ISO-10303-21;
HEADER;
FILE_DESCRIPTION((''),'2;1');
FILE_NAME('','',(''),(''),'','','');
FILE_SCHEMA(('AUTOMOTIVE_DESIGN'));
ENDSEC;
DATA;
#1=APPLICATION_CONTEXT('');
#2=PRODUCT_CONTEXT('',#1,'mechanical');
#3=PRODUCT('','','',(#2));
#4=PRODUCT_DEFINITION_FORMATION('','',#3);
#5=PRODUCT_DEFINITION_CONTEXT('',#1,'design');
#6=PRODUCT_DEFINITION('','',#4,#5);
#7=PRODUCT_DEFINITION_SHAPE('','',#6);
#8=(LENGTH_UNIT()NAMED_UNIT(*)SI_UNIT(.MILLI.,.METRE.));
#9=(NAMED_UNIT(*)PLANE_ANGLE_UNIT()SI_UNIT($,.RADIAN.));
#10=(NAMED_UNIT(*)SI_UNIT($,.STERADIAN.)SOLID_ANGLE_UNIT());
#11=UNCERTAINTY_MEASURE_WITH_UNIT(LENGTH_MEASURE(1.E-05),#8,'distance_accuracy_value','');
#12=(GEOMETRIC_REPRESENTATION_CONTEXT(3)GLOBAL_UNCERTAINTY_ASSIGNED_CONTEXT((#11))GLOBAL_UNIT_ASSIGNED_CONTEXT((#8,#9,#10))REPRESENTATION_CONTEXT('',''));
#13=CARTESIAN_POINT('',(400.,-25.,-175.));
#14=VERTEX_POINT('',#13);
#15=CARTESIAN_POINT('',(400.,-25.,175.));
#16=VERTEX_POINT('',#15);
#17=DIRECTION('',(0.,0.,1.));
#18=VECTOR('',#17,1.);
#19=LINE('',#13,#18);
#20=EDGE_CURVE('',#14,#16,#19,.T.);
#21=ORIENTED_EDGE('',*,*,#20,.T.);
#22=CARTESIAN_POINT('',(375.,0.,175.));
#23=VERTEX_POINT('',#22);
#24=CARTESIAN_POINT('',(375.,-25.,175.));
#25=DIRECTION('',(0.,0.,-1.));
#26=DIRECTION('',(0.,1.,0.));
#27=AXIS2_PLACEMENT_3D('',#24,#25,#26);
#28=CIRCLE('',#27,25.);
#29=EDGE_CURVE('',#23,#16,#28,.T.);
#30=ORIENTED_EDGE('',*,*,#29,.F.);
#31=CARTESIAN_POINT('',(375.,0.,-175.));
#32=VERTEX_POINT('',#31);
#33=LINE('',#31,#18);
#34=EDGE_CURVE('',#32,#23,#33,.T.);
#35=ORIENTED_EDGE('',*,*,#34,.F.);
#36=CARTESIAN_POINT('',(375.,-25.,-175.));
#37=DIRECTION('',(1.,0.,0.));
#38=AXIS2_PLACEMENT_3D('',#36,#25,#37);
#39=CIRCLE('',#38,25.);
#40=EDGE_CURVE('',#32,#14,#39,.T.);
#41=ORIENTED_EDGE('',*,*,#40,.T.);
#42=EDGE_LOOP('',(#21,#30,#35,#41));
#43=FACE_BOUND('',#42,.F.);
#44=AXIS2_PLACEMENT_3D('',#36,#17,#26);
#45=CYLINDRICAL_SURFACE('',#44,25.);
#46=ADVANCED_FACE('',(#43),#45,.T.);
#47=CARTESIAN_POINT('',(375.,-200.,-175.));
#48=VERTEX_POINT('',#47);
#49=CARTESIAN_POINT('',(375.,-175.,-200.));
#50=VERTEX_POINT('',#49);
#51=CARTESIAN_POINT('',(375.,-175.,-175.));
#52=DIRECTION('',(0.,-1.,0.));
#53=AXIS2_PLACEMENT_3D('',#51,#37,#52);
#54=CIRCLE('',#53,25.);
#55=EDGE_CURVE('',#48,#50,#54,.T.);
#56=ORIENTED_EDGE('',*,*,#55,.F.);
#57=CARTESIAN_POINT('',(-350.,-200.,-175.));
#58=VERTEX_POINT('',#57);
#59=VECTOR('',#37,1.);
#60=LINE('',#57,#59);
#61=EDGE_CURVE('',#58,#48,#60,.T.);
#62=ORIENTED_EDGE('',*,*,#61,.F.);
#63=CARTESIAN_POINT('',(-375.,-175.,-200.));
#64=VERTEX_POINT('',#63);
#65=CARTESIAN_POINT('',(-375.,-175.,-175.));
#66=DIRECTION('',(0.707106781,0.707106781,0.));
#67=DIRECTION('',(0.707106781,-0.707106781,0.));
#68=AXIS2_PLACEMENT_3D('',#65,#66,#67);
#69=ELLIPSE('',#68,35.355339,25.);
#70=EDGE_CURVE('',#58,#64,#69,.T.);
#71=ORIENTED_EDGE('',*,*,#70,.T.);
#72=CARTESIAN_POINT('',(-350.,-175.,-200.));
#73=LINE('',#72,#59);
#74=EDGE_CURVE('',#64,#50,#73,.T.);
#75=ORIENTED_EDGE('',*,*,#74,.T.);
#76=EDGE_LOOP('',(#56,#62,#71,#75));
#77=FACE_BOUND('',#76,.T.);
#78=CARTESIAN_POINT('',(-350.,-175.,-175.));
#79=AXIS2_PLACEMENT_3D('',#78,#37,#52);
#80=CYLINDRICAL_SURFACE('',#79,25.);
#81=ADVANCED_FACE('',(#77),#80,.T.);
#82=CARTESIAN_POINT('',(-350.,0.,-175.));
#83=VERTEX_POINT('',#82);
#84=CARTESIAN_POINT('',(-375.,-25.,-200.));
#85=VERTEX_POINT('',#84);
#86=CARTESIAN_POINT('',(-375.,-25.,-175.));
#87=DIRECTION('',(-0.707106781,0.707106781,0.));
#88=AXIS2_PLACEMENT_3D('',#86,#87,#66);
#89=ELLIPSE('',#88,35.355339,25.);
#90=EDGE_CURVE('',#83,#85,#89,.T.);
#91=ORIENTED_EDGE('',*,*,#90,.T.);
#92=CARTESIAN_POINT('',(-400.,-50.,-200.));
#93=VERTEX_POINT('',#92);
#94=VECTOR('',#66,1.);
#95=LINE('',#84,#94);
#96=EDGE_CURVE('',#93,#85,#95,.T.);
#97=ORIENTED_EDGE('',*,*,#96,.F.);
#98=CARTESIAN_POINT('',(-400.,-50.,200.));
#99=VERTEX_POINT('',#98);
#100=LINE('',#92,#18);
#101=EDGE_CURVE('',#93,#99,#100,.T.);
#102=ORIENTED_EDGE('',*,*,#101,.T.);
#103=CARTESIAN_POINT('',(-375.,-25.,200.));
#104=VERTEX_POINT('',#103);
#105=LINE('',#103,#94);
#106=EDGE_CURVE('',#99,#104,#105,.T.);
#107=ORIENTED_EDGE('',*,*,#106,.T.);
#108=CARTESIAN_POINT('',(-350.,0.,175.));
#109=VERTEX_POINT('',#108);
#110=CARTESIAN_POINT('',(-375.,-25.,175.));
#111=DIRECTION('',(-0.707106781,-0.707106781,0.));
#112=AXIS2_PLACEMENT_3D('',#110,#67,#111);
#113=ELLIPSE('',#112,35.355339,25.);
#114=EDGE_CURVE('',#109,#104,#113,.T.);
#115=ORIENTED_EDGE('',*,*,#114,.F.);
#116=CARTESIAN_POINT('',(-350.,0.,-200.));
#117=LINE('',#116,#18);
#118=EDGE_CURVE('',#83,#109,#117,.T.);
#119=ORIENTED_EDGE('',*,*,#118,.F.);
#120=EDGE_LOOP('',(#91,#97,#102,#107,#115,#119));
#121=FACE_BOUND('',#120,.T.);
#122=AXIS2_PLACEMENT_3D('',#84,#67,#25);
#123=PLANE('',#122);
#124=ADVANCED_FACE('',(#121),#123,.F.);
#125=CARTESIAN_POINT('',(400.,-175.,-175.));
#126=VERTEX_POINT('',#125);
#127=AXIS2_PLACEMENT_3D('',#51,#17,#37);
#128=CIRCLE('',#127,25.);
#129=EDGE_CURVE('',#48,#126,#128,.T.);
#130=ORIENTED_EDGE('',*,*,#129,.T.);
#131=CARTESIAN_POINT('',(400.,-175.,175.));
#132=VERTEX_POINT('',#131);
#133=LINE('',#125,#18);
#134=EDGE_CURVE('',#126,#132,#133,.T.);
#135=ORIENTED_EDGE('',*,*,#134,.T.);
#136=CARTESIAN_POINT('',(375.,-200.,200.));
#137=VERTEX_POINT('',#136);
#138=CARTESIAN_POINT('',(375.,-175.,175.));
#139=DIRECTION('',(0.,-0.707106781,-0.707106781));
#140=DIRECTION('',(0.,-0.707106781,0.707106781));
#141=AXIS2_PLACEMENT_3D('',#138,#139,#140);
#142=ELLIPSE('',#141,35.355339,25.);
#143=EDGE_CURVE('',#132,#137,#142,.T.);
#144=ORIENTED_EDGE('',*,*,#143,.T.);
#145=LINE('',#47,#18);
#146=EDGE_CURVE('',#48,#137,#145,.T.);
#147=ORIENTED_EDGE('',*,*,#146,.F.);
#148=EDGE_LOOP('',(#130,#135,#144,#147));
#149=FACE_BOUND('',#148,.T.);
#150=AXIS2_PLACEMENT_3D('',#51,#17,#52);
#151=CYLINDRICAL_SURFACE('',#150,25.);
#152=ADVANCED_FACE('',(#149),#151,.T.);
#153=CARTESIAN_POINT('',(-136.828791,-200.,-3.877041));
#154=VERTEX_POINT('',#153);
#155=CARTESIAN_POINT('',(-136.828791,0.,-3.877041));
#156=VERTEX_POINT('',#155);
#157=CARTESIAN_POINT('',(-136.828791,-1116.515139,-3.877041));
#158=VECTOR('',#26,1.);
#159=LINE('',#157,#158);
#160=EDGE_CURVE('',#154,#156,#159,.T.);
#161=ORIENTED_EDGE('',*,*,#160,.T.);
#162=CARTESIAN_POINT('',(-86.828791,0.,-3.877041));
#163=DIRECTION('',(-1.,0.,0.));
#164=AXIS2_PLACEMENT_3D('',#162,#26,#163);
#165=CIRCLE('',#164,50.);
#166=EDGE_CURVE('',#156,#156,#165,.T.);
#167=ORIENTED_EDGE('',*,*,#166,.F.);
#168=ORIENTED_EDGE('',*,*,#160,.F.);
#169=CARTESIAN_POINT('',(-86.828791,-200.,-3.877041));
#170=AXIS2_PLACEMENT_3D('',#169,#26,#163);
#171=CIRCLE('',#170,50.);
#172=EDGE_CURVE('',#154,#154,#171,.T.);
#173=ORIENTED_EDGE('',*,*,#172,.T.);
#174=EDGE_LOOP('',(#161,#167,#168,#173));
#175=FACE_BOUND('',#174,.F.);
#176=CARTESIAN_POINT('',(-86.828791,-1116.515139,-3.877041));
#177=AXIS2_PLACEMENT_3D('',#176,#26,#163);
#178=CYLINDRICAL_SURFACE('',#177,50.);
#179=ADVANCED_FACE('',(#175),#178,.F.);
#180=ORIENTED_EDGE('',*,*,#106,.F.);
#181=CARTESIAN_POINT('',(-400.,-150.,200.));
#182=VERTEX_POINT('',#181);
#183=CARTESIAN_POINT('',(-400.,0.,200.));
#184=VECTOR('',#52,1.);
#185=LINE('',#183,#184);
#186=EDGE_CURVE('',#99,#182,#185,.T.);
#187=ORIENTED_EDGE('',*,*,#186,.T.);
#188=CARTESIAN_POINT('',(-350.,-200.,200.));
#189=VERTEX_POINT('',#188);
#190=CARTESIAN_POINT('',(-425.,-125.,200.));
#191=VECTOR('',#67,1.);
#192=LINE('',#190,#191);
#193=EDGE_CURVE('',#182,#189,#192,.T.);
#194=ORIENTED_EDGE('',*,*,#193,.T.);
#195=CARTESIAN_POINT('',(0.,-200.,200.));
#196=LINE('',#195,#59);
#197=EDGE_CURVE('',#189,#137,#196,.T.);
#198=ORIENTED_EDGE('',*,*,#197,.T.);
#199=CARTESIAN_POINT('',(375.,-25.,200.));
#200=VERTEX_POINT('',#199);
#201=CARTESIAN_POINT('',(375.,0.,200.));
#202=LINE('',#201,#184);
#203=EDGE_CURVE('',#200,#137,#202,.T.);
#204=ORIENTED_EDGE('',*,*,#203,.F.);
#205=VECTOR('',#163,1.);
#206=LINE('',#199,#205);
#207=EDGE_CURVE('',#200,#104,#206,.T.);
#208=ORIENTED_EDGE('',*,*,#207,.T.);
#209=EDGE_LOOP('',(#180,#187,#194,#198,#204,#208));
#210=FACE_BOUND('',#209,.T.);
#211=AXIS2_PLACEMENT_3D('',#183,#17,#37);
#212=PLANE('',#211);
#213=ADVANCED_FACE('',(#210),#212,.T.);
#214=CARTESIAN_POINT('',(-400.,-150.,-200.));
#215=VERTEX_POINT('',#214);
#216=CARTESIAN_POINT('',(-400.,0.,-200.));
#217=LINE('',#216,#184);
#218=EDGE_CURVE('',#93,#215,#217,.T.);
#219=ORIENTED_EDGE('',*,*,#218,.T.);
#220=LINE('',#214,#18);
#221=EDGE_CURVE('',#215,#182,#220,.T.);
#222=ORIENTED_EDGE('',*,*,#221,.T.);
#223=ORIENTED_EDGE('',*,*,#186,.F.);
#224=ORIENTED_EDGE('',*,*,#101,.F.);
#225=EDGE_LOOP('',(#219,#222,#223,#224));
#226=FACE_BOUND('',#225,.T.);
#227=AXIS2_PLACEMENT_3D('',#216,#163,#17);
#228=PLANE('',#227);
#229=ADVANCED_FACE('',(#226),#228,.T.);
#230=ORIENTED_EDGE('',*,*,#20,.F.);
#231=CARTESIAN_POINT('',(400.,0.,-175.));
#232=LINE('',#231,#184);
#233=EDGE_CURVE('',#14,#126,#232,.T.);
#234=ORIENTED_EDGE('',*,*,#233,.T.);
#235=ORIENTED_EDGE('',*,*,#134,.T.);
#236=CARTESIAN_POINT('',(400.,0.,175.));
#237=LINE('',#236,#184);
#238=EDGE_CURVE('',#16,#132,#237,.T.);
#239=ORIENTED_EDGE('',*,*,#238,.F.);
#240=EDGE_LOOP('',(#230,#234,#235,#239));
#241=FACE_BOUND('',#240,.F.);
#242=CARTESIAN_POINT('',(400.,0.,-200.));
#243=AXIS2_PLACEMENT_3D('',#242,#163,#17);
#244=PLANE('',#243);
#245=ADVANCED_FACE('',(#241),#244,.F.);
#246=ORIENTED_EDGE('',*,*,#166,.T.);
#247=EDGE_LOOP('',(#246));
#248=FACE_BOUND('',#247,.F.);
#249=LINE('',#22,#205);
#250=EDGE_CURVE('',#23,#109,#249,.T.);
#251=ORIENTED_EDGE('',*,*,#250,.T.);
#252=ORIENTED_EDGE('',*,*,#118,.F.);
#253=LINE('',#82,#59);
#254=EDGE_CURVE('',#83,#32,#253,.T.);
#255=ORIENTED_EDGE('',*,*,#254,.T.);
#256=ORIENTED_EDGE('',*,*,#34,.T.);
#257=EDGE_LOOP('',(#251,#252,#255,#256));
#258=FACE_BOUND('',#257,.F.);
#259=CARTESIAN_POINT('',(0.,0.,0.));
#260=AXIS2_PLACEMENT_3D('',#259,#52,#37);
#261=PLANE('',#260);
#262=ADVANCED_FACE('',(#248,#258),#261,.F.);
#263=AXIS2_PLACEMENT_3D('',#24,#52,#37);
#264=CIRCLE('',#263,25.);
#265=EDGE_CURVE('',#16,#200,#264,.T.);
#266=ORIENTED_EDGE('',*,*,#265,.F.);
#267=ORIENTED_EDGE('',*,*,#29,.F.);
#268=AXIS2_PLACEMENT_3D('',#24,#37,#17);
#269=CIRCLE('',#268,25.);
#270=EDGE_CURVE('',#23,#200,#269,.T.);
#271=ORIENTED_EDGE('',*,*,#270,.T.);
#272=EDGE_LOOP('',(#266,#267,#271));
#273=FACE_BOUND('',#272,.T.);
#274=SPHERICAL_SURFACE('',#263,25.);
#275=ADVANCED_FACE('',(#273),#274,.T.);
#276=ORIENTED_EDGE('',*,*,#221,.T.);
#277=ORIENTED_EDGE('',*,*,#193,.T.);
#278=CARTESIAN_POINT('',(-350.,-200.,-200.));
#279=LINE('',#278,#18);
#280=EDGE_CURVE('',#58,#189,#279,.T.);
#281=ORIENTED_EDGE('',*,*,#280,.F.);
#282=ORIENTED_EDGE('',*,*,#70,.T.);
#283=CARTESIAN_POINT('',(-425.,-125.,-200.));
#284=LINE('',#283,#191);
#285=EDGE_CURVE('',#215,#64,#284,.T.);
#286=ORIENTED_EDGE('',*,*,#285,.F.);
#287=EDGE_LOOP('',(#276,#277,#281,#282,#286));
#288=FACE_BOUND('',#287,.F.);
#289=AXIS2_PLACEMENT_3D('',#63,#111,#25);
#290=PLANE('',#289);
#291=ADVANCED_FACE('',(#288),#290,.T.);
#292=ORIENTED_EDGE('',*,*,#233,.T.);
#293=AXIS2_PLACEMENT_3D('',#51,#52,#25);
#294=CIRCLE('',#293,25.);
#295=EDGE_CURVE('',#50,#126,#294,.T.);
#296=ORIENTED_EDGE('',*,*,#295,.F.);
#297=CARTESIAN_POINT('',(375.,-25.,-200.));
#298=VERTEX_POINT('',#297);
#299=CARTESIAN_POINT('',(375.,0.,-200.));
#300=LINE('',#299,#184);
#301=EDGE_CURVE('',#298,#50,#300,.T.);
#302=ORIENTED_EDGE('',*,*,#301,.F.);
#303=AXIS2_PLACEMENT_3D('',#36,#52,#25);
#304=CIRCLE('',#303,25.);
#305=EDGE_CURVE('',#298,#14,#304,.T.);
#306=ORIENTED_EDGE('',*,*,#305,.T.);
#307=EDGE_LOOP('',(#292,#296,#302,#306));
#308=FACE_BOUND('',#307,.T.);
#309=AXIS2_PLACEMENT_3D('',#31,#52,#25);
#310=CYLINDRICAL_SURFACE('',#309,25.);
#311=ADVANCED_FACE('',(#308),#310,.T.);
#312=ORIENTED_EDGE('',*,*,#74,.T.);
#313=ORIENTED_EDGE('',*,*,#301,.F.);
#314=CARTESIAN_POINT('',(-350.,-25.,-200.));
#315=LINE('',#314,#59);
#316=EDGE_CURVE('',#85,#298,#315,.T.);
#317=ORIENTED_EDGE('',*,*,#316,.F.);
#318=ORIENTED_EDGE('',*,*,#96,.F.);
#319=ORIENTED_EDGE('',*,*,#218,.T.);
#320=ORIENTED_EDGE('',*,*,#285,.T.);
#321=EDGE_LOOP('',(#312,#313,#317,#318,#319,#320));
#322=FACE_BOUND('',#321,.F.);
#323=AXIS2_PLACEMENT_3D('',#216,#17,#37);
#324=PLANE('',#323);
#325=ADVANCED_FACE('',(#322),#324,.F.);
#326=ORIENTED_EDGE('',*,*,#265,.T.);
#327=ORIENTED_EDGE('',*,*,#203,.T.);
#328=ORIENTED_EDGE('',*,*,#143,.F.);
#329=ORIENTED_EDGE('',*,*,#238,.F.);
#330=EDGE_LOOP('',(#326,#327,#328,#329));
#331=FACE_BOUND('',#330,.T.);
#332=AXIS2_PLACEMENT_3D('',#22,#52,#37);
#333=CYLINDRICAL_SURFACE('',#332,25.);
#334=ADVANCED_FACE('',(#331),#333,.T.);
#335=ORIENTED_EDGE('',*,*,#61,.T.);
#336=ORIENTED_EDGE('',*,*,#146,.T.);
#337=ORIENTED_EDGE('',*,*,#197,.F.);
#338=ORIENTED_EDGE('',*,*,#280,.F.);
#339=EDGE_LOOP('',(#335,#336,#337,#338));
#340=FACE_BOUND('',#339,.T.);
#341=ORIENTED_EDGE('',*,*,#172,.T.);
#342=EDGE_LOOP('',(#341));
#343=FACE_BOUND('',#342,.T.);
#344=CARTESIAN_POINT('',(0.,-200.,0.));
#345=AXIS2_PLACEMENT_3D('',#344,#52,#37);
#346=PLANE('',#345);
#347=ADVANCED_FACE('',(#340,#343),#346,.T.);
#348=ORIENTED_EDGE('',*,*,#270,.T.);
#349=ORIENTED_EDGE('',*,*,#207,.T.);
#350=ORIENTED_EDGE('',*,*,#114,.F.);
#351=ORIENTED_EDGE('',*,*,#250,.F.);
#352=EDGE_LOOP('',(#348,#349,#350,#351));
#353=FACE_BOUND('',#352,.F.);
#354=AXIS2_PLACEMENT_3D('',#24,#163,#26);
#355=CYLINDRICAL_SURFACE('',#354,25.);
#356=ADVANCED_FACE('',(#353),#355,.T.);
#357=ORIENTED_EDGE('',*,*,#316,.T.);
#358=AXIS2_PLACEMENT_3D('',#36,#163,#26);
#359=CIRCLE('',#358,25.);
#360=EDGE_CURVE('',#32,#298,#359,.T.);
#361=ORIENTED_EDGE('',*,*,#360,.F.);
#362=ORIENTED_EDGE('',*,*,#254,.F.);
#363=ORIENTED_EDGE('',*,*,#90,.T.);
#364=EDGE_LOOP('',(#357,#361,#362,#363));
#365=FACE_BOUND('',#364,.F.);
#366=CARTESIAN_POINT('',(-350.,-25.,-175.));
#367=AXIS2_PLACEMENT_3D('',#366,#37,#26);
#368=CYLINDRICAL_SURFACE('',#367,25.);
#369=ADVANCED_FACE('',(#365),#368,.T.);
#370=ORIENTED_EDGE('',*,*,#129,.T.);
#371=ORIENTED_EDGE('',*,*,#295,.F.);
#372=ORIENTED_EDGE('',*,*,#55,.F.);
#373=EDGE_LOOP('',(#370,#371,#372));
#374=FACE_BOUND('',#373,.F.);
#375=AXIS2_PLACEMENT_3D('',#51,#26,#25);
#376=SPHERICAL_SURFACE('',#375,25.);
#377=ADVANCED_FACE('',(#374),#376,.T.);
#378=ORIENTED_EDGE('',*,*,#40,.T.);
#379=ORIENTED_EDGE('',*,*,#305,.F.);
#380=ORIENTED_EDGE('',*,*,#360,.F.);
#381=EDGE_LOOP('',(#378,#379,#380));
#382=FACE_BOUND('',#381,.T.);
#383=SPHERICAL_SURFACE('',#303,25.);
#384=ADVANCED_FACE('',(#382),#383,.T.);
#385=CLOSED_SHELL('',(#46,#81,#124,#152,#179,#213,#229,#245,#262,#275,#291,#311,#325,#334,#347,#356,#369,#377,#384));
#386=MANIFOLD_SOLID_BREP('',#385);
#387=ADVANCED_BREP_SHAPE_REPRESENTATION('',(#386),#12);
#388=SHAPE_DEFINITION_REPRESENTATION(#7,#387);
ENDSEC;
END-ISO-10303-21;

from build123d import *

# Parameters (mm, degrees)
F0_W     = 800
F0_H     = 400
F1_DEPTH = 200
F2_SIZE  = 50
F3_R     = 25
F4_R     = 25
F5_R     = 25
F7_D     = 100


with BuildPart() as f1:
    # F0 (on Front) → F1 (new body)
    with BuildSketch(Plane.XZ):
        Rectangle(F0_W, F0_H)
    extrude(amount=F1_DEPTH)

    # F2
    f2_edges = [f1.edges().sort_by_distance(p)[0] for p in [
        (-400, -200, 0),
        (-400, 0, 0),
    ]]
    chamfer(f2_edges, length=F2_SIZE)

    # F3
    f3_edges = [f1.edges().sort_by_distance(p)[0] for p in [
        (400, -100, -200),
    ]]
    fillet(f3_edges, radius=F3_R)

    # F4
    f4_edges = [f1.edges().sort_by_distance(p)[0] for p in [
        (400, -100, 200),
        (400, -200, 12.5),
    ]]
    fillet(f4_edges, radius=F4_R)

    # F5
    f5_edges = [f1.edges().sort_by_distance(p)[0] for p in [
        (400, 0, 0),
    ]]
    fillet(f5_edges, radius=F5_R)

    # F7 (through all)
    with Locations(Plane.XZ.offset(200)):
        with Locations((-86.828791, -3.877041)):
            Hole(F7_D / 2)


solid = f1.part
